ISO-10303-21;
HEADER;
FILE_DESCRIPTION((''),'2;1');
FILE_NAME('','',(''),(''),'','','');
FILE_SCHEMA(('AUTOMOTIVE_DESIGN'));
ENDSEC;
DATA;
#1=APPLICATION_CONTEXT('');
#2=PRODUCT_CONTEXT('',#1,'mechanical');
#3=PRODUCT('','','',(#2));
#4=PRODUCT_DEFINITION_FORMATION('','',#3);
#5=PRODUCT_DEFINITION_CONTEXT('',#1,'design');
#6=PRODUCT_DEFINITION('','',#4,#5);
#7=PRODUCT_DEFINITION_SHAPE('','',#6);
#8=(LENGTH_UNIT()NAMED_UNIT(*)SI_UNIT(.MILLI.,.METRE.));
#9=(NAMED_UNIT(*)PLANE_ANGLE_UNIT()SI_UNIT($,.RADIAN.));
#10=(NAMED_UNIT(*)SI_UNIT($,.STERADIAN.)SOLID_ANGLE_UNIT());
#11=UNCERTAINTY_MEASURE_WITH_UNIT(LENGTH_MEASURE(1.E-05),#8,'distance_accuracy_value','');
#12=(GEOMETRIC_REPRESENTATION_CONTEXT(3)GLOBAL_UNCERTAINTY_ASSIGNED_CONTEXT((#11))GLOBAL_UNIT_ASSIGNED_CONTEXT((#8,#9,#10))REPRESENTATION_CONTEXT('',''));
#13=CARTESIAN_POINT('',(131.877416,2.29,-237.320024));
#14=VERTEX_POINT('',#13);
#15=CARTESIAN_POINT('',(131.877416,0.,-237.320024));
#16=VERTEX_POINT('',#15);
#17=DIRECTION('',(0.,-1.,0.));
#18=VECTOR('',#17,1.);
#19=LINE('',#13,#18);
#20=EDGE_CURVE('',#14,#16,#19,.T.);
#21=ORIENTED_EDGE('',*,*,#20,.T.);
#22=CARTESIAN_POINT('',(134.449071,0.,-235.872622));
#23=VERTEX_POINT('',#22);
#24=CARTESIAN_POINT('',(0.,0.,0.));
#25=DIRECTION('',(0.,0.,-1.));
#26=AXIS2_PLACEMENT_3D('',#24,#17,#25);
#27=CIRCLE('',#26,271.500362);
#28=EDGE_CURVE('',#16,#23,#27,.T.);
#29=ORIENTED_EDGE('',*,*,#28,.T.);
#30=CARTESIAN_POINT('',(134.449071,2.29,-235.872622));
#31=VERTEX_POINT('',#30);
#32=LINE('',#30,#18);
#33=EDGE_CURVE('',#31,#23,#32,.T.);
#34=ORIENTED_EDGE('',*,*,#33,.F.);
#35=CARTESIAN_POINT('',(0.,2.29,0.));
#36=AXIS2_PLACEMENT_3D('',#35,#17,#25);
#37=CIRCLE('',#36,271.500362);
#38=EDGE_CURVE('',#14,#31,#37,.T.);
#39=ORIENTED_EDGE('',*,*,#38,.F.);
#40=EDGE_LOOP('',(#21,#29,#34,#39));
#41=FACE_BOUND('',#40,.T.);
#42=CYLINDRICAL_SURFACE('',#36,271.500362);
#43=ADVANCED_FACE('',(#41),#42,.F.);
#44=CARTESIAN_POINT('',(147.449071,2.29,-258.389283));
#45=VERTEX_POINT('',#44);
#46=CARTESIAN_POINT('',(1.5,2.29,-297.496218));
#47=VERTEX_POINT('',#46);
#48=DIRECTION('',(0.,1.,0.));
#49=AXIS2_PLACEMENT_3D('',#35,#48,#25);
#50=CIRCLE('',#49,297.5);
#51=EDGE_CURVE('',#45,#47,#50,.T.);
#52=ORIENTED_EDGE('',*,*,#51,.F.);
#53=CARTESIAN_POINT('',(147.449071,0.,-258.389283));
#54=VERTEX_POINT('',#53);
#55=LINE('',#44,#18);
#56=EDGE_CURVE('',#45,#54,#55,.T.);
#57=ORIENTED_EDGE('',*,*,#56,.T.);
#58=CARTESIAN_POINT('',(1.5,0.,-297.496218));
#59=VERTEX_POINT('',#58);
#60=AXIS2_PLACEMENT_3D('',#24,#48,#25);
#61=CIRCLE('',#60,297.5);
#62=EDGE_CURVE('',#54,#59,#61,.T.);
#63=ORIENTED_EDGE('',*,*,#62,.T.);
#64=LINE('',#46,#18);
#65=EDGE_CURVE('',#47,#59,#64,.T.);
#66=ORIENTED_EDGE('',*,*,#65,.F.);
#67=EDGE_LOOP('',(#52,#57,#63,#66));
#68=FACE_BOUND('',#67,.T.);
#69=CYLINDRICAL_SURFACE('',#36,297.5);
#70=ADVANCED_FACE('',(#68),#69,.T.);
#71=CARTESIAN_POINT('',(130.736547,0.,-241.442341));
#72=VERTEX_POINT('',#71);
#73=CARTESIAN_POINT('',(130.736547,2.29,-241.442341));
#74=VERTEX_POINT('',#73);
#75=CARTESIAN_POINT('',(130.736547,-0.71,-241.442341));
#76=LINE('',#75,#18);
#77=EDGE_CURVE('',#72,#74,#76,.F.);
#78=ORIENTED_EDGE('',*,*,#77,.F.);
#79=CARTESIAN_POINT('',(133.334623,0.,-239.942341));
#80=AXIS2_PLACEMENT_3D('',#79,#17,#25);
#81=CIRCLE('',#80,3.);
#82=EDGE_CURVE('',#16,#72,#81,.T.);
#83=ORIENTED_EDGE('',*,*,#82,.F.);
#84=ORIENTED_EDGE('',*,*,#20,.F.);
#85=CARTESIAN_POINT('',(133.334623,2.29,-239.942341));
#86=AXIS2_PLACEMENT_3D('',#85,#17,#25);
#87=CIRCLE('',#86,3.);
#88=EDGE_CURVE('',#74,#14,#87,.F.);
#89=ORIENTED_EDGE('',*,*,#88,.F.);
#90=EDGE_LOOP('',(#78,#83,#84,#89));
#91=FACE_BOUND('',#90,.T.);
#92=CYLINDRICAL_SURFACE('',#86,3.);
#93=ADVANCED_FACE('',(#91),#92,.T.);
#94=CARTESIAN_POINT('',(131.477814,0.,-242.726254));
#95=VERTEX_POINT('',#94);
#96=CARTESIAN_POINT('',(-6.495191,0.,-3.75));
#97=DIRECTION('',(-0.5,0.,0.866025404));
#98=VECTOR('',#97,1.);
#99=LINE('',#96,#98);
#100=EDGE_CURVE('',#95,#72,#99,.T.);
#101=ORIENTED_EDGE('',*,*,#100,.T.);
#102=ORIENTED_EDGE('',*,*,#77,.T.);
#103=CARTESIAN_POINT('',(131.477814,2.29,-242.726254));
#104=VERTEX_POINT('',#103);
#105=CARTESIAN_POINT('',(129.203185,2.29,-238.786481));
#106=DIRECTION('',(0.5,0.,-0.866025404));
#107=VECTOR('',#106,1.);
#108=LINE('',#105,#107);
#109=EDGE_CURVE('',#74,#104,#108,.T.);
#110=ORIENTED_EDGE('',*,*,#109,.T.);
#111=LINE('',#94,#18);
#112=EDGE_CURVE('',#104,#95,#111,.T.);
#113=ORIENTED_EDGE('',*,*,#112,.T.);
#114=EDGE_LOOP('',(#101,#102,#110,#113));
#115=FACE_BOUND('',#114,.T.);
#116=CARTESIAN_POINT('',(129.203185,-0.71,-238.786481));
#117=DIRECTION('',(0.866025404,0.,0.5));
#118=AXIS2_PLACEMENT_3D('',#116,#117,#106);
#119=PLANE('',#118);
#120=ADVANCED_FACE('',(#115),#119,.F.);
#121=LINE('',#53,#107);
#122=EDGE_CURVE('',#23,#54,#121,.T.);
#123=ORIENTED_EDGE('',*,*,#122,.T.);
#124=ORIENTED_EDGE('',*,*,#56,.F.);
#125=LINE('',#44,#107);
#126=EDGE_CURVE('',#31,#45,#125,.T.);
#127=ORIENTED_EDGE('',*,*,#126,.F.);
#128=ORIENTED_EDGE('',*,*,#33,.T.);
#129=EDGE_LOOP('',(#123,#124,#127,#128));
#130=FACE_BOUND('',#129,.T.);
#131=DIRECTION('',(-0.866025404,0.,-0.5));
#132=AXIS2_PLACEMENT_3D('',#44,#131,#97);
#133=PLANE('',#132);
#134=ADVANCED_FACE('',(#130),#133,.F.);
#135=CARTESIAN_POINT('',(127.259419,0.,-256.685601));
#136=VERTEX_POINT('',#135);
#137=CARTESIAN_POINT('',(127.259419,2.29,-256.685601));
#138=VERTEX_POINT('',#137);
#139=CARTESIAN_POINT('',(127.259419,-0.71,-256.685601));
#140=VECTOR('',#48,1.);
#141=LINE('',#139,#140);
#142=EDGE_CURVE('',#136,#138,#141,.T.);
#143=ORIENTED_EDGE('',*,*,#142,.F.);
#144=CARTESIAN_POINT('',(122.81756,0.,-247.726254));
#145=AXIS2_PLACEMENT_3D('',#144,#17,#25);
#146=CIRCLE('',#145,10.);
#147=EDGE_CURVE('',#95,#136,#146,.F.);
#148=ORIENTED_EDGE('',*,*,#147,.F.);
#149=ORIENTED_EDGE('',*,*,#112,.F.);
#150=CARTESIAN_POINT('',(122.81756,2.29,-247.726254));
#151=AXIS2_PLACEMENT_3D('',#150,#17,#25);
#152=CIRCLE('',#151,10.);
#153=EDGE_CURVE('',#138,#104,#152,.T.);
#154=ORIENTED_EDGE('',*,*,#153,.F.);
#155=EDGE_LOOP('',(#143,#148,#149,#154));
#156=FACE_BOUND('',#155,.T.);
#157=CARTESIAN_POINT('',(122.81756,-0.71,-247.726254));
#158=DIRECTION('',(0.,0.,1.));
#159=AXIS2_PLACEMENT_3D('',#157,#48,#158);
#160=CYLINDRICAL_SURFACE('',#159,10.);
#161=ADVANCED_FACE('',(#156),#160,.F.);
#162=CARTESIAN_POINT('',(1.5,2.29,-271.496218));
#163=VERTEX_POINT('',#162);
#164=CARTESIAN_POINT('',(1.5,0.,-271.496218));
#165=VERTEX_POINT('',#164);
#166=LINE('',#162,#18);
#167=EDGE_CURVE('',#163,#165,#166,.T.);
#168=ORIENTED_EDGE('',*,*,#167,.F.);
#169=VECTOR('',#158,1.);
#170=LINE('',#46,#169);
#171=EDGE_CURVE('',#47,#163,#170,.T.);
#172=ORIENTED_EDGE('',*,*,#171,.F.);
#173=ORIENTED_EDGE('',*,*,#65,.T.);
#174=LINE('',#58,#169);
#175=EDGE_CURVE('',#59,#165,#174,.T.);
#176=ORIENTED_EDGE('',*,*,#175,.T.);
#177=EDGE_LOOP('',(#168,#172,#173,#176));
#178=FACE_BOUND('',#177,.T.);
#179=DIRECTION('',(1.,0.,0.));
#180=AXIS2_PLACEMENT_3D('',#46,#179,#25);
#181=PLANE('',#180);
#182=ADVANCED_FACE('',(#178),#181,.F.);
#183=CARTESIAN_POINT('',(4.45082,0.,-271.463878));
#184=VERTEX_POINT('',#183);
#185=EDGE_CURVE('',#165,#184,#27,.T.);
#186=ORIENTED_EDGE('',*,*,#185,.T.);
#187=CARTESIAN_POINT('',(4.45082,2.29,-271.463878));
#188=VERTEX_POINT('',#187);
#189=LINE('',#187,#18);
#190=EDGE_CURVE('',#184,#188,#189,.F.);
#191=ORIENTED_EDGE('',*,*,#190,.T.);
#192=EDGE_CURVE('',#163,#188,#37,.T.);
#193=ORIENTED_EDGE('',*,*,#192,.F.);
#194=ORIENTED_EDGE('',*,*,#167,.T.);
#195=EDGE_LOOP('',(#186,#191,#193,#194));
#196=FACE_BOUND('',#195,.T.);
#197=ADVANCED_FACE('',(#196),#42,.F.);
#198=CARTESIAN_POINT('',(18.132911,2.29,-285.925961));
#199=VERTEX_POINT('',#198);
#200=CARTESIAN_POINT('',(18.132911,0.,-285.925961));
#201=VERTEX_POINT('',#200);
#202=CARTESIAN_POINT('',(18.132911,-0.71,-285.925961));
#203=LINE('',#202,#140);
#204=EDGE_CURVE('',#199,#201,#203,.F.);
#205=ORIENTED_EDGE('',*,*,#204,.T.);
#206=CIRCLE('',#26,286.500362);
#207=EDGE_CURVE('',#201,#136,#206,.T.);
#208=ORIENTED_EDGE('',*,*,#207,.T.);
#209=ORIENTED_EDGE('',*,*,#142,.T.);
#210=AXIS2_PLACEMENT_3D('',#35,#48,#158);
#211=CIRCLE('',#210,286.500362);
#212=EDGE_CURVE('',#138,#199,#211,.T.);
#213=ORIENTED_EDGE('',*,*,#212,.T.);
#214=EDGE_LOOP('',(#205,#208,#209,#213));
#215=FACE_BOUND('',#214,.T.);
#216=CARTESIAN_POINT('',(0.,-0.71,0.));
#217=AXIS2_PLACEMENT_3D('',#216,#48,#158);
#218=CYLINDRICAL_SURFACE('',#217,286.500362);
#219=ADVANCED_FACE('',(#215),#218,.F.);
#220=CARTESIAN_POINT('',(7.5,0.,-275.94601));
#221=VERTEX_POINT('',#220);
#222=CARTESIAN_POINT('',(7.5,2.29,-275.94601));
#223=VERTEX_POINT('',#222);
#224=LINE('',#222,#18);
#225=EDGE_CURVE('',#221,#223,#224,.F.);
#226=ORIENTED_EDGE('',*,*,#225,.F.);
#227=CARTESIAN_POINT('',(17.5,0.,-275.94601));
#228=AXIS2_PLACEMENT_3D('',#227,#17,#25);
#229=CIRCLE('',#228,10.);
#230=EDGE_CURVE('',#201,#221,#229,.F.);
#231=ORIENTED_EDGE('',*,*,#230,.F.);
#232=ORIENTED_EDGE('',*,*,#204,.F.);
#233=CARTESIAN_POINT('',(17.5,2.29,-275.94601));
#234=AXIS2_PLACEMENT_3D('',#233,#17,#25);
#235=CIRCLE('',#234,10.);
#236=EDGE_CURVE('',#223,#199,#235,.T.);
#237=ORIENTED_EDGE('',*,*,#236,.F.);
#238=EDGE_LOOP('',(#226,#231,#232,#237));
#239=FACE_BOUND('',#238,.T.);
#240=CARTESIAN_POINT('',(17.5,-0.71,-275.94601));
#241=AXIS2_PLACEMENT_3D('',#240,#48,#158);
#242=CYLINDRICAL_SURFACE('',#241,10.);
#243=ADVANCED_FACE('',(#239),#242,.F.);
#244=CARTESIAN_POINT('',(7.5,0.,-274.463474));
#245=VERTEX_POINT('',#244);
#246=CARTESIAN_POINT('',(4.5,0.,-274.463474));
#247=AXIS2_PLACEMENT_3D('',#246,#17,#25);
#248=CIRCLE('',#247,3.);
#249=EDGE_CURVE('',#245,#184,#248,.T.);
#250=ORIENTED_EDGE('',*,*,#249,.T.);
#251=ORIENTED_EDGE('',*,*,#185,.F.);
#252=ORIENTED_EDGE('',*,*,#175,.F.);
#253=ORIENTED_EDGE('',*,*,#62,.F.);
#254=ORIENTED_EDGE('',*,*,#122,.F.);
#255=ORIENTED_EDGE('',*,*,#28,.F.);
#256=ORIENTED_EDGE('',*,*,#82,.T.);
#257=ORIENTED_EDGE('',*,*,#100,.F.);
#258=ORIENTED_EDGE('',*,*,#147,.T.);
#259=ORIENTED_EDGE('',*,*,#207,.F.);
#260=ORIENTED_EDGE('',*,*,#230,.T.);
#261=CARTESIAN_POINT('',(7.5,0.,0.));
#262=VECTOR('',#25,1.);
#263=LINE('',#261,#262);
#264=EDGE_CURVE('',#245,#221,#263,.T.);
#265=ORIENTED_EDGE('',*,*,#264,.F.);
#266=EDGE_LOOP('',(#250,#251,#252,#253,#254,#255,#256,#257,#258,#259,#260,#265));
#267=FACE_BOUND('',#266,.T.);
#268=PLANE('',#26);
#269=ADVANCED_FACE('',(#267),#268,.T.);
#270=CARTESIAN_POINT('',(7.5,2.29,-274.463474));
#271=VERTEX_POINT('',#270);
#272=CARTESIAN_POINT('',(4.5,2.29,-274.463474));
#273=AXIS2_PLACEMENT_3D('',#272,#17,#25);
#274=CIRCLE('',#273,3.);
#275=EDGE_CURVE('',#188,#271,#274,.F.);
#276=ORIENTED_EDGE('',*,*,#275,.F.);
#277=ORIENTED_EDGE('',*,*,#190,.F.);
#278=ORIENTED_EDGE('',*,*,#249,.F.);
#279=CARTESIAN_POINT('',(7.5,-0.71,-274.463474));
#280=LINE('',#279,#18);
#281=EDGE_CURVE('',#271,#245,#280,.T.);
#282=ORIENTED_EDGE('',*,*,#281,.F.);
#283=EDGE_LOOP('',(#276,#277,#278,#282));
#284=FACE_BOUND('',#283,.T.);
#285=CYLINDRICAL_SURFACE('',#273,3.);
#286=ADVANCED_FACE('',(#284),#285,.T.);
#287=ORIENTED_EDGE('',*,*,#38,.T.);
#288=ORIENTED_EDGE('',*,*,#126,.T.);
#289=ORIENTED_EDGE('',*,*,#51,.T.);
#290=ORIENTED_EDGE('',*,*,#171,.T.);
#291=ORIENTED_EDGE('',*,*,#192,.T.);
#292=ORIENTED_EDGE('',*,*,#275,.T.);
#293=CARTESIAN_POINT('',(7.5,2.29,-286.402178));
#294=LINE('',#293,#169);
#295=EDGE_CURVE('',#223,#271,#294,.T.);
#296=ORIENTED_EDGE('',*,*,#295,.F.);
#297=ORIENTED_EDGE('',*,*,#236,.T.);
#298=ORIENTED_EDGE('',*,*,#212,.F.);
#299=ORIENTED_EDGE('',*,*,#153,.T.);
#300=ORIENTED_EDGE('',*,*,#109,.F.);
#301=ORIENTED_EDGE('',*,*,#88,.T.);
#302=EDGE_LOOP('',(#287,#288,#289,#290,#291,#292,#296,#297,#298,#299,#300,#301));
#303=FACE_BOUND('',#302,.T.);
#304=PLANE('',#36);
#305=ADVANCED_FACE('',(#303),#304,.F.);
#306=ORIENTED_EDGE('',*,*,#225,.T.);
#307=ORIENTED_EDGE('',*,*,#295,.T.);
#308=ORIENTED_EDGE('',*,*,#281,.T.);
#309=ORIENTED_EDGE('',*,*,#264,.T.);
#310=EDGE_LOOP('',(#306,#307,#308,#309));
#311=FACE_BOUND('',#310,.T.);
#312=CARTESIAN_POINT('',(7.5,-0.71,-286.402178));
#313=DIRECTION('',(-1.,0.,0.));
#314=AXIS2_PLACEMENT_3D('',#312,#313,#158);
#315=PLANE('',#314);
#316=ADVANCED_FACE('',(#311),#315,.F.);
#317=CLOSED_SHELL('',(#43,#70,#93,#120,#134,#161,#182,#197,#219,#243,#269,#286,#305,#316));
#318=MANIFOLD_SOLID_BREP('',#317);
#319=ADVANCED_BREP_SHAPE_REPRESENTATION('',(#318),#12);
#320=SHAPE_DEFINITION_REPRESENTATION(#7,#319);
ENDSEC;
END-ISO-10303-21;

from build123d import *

# Parameters (mm, degrees)
BOSS_EXTRUDE1_DEPTH = 2.29
CUT_EXTRUDE1_DEPTH  = 3
FILLET1_R           = 10
FILLET2_R           = 3


with BuildPart() as part:
    # Sketch1 → Boss-Extrude1 (new body)
    with BuildSketch(Plane(origin=(0, 0, 0), x_dir=(1, 0, 0), z_dir=(0, 1, 0))):
        with BuildLine():
            Line((1.5, 297.496218463), (1.5, 271.496218463))
            ThreePointArc((1.5, 271.496218463), (70.269464473, 262.249211634), (134.449071126, 235.872622221))
            Line((134.449071126, 235.872622221), (147.449071126, 258.389282719))
            ThreePointArc((147.449071126, 258.389282719), (76.998665918, 287.362933321), (1.5, 297.496218463))
        make_face()
    extrude(amount=BOSS_EXTRUDE1_DEPTH)

    # Sketch3 → Cut-Extrude1 (cut)
    with BuildSketch(Plane(origin=(0, 2.29, 0), x_dir=(1, 0, 0), z_dir=(0, 1, 0))):
        with BuildLine():
            Line((7.5, 271.396751344), (129.203185143, 238.786481168))
            Line((129.203185143, 238.786481168), (136.70589842, 251.781561758))
            ThreePointArc((136.70589842, 251.781561758), (74.15175015, 276.738099028), (7.5, 286.402177897))
            Line((7.5, 286.402177897), (7.5, 271.396751344))
        make_face()
    extrude(amount=-CUT_EXTRUDE1_DEPTH, mode=Mode.SUBTRACT)

    # Fillet1
    fillet1_edges = [part.edges().sort_by_distance(p)[0] for p in [
        (7.5, 1.145, -286.402177897),
        (136.70589842, 1.145, -251.781561758),
    ]]
    fillet(fillet1_edges, radius=FILLET1_R)

    # Fillet2
    fillet2_edges = [part.edges().sort_by_distance(p)[0] for p in [
        (7.5, 1.145, -271.396751344),
        (129.203185143, 1.145, -238.786481168),
    ]]
    fillet(fillet2_edges, radius=FILLET2_R)


solid = part.part
